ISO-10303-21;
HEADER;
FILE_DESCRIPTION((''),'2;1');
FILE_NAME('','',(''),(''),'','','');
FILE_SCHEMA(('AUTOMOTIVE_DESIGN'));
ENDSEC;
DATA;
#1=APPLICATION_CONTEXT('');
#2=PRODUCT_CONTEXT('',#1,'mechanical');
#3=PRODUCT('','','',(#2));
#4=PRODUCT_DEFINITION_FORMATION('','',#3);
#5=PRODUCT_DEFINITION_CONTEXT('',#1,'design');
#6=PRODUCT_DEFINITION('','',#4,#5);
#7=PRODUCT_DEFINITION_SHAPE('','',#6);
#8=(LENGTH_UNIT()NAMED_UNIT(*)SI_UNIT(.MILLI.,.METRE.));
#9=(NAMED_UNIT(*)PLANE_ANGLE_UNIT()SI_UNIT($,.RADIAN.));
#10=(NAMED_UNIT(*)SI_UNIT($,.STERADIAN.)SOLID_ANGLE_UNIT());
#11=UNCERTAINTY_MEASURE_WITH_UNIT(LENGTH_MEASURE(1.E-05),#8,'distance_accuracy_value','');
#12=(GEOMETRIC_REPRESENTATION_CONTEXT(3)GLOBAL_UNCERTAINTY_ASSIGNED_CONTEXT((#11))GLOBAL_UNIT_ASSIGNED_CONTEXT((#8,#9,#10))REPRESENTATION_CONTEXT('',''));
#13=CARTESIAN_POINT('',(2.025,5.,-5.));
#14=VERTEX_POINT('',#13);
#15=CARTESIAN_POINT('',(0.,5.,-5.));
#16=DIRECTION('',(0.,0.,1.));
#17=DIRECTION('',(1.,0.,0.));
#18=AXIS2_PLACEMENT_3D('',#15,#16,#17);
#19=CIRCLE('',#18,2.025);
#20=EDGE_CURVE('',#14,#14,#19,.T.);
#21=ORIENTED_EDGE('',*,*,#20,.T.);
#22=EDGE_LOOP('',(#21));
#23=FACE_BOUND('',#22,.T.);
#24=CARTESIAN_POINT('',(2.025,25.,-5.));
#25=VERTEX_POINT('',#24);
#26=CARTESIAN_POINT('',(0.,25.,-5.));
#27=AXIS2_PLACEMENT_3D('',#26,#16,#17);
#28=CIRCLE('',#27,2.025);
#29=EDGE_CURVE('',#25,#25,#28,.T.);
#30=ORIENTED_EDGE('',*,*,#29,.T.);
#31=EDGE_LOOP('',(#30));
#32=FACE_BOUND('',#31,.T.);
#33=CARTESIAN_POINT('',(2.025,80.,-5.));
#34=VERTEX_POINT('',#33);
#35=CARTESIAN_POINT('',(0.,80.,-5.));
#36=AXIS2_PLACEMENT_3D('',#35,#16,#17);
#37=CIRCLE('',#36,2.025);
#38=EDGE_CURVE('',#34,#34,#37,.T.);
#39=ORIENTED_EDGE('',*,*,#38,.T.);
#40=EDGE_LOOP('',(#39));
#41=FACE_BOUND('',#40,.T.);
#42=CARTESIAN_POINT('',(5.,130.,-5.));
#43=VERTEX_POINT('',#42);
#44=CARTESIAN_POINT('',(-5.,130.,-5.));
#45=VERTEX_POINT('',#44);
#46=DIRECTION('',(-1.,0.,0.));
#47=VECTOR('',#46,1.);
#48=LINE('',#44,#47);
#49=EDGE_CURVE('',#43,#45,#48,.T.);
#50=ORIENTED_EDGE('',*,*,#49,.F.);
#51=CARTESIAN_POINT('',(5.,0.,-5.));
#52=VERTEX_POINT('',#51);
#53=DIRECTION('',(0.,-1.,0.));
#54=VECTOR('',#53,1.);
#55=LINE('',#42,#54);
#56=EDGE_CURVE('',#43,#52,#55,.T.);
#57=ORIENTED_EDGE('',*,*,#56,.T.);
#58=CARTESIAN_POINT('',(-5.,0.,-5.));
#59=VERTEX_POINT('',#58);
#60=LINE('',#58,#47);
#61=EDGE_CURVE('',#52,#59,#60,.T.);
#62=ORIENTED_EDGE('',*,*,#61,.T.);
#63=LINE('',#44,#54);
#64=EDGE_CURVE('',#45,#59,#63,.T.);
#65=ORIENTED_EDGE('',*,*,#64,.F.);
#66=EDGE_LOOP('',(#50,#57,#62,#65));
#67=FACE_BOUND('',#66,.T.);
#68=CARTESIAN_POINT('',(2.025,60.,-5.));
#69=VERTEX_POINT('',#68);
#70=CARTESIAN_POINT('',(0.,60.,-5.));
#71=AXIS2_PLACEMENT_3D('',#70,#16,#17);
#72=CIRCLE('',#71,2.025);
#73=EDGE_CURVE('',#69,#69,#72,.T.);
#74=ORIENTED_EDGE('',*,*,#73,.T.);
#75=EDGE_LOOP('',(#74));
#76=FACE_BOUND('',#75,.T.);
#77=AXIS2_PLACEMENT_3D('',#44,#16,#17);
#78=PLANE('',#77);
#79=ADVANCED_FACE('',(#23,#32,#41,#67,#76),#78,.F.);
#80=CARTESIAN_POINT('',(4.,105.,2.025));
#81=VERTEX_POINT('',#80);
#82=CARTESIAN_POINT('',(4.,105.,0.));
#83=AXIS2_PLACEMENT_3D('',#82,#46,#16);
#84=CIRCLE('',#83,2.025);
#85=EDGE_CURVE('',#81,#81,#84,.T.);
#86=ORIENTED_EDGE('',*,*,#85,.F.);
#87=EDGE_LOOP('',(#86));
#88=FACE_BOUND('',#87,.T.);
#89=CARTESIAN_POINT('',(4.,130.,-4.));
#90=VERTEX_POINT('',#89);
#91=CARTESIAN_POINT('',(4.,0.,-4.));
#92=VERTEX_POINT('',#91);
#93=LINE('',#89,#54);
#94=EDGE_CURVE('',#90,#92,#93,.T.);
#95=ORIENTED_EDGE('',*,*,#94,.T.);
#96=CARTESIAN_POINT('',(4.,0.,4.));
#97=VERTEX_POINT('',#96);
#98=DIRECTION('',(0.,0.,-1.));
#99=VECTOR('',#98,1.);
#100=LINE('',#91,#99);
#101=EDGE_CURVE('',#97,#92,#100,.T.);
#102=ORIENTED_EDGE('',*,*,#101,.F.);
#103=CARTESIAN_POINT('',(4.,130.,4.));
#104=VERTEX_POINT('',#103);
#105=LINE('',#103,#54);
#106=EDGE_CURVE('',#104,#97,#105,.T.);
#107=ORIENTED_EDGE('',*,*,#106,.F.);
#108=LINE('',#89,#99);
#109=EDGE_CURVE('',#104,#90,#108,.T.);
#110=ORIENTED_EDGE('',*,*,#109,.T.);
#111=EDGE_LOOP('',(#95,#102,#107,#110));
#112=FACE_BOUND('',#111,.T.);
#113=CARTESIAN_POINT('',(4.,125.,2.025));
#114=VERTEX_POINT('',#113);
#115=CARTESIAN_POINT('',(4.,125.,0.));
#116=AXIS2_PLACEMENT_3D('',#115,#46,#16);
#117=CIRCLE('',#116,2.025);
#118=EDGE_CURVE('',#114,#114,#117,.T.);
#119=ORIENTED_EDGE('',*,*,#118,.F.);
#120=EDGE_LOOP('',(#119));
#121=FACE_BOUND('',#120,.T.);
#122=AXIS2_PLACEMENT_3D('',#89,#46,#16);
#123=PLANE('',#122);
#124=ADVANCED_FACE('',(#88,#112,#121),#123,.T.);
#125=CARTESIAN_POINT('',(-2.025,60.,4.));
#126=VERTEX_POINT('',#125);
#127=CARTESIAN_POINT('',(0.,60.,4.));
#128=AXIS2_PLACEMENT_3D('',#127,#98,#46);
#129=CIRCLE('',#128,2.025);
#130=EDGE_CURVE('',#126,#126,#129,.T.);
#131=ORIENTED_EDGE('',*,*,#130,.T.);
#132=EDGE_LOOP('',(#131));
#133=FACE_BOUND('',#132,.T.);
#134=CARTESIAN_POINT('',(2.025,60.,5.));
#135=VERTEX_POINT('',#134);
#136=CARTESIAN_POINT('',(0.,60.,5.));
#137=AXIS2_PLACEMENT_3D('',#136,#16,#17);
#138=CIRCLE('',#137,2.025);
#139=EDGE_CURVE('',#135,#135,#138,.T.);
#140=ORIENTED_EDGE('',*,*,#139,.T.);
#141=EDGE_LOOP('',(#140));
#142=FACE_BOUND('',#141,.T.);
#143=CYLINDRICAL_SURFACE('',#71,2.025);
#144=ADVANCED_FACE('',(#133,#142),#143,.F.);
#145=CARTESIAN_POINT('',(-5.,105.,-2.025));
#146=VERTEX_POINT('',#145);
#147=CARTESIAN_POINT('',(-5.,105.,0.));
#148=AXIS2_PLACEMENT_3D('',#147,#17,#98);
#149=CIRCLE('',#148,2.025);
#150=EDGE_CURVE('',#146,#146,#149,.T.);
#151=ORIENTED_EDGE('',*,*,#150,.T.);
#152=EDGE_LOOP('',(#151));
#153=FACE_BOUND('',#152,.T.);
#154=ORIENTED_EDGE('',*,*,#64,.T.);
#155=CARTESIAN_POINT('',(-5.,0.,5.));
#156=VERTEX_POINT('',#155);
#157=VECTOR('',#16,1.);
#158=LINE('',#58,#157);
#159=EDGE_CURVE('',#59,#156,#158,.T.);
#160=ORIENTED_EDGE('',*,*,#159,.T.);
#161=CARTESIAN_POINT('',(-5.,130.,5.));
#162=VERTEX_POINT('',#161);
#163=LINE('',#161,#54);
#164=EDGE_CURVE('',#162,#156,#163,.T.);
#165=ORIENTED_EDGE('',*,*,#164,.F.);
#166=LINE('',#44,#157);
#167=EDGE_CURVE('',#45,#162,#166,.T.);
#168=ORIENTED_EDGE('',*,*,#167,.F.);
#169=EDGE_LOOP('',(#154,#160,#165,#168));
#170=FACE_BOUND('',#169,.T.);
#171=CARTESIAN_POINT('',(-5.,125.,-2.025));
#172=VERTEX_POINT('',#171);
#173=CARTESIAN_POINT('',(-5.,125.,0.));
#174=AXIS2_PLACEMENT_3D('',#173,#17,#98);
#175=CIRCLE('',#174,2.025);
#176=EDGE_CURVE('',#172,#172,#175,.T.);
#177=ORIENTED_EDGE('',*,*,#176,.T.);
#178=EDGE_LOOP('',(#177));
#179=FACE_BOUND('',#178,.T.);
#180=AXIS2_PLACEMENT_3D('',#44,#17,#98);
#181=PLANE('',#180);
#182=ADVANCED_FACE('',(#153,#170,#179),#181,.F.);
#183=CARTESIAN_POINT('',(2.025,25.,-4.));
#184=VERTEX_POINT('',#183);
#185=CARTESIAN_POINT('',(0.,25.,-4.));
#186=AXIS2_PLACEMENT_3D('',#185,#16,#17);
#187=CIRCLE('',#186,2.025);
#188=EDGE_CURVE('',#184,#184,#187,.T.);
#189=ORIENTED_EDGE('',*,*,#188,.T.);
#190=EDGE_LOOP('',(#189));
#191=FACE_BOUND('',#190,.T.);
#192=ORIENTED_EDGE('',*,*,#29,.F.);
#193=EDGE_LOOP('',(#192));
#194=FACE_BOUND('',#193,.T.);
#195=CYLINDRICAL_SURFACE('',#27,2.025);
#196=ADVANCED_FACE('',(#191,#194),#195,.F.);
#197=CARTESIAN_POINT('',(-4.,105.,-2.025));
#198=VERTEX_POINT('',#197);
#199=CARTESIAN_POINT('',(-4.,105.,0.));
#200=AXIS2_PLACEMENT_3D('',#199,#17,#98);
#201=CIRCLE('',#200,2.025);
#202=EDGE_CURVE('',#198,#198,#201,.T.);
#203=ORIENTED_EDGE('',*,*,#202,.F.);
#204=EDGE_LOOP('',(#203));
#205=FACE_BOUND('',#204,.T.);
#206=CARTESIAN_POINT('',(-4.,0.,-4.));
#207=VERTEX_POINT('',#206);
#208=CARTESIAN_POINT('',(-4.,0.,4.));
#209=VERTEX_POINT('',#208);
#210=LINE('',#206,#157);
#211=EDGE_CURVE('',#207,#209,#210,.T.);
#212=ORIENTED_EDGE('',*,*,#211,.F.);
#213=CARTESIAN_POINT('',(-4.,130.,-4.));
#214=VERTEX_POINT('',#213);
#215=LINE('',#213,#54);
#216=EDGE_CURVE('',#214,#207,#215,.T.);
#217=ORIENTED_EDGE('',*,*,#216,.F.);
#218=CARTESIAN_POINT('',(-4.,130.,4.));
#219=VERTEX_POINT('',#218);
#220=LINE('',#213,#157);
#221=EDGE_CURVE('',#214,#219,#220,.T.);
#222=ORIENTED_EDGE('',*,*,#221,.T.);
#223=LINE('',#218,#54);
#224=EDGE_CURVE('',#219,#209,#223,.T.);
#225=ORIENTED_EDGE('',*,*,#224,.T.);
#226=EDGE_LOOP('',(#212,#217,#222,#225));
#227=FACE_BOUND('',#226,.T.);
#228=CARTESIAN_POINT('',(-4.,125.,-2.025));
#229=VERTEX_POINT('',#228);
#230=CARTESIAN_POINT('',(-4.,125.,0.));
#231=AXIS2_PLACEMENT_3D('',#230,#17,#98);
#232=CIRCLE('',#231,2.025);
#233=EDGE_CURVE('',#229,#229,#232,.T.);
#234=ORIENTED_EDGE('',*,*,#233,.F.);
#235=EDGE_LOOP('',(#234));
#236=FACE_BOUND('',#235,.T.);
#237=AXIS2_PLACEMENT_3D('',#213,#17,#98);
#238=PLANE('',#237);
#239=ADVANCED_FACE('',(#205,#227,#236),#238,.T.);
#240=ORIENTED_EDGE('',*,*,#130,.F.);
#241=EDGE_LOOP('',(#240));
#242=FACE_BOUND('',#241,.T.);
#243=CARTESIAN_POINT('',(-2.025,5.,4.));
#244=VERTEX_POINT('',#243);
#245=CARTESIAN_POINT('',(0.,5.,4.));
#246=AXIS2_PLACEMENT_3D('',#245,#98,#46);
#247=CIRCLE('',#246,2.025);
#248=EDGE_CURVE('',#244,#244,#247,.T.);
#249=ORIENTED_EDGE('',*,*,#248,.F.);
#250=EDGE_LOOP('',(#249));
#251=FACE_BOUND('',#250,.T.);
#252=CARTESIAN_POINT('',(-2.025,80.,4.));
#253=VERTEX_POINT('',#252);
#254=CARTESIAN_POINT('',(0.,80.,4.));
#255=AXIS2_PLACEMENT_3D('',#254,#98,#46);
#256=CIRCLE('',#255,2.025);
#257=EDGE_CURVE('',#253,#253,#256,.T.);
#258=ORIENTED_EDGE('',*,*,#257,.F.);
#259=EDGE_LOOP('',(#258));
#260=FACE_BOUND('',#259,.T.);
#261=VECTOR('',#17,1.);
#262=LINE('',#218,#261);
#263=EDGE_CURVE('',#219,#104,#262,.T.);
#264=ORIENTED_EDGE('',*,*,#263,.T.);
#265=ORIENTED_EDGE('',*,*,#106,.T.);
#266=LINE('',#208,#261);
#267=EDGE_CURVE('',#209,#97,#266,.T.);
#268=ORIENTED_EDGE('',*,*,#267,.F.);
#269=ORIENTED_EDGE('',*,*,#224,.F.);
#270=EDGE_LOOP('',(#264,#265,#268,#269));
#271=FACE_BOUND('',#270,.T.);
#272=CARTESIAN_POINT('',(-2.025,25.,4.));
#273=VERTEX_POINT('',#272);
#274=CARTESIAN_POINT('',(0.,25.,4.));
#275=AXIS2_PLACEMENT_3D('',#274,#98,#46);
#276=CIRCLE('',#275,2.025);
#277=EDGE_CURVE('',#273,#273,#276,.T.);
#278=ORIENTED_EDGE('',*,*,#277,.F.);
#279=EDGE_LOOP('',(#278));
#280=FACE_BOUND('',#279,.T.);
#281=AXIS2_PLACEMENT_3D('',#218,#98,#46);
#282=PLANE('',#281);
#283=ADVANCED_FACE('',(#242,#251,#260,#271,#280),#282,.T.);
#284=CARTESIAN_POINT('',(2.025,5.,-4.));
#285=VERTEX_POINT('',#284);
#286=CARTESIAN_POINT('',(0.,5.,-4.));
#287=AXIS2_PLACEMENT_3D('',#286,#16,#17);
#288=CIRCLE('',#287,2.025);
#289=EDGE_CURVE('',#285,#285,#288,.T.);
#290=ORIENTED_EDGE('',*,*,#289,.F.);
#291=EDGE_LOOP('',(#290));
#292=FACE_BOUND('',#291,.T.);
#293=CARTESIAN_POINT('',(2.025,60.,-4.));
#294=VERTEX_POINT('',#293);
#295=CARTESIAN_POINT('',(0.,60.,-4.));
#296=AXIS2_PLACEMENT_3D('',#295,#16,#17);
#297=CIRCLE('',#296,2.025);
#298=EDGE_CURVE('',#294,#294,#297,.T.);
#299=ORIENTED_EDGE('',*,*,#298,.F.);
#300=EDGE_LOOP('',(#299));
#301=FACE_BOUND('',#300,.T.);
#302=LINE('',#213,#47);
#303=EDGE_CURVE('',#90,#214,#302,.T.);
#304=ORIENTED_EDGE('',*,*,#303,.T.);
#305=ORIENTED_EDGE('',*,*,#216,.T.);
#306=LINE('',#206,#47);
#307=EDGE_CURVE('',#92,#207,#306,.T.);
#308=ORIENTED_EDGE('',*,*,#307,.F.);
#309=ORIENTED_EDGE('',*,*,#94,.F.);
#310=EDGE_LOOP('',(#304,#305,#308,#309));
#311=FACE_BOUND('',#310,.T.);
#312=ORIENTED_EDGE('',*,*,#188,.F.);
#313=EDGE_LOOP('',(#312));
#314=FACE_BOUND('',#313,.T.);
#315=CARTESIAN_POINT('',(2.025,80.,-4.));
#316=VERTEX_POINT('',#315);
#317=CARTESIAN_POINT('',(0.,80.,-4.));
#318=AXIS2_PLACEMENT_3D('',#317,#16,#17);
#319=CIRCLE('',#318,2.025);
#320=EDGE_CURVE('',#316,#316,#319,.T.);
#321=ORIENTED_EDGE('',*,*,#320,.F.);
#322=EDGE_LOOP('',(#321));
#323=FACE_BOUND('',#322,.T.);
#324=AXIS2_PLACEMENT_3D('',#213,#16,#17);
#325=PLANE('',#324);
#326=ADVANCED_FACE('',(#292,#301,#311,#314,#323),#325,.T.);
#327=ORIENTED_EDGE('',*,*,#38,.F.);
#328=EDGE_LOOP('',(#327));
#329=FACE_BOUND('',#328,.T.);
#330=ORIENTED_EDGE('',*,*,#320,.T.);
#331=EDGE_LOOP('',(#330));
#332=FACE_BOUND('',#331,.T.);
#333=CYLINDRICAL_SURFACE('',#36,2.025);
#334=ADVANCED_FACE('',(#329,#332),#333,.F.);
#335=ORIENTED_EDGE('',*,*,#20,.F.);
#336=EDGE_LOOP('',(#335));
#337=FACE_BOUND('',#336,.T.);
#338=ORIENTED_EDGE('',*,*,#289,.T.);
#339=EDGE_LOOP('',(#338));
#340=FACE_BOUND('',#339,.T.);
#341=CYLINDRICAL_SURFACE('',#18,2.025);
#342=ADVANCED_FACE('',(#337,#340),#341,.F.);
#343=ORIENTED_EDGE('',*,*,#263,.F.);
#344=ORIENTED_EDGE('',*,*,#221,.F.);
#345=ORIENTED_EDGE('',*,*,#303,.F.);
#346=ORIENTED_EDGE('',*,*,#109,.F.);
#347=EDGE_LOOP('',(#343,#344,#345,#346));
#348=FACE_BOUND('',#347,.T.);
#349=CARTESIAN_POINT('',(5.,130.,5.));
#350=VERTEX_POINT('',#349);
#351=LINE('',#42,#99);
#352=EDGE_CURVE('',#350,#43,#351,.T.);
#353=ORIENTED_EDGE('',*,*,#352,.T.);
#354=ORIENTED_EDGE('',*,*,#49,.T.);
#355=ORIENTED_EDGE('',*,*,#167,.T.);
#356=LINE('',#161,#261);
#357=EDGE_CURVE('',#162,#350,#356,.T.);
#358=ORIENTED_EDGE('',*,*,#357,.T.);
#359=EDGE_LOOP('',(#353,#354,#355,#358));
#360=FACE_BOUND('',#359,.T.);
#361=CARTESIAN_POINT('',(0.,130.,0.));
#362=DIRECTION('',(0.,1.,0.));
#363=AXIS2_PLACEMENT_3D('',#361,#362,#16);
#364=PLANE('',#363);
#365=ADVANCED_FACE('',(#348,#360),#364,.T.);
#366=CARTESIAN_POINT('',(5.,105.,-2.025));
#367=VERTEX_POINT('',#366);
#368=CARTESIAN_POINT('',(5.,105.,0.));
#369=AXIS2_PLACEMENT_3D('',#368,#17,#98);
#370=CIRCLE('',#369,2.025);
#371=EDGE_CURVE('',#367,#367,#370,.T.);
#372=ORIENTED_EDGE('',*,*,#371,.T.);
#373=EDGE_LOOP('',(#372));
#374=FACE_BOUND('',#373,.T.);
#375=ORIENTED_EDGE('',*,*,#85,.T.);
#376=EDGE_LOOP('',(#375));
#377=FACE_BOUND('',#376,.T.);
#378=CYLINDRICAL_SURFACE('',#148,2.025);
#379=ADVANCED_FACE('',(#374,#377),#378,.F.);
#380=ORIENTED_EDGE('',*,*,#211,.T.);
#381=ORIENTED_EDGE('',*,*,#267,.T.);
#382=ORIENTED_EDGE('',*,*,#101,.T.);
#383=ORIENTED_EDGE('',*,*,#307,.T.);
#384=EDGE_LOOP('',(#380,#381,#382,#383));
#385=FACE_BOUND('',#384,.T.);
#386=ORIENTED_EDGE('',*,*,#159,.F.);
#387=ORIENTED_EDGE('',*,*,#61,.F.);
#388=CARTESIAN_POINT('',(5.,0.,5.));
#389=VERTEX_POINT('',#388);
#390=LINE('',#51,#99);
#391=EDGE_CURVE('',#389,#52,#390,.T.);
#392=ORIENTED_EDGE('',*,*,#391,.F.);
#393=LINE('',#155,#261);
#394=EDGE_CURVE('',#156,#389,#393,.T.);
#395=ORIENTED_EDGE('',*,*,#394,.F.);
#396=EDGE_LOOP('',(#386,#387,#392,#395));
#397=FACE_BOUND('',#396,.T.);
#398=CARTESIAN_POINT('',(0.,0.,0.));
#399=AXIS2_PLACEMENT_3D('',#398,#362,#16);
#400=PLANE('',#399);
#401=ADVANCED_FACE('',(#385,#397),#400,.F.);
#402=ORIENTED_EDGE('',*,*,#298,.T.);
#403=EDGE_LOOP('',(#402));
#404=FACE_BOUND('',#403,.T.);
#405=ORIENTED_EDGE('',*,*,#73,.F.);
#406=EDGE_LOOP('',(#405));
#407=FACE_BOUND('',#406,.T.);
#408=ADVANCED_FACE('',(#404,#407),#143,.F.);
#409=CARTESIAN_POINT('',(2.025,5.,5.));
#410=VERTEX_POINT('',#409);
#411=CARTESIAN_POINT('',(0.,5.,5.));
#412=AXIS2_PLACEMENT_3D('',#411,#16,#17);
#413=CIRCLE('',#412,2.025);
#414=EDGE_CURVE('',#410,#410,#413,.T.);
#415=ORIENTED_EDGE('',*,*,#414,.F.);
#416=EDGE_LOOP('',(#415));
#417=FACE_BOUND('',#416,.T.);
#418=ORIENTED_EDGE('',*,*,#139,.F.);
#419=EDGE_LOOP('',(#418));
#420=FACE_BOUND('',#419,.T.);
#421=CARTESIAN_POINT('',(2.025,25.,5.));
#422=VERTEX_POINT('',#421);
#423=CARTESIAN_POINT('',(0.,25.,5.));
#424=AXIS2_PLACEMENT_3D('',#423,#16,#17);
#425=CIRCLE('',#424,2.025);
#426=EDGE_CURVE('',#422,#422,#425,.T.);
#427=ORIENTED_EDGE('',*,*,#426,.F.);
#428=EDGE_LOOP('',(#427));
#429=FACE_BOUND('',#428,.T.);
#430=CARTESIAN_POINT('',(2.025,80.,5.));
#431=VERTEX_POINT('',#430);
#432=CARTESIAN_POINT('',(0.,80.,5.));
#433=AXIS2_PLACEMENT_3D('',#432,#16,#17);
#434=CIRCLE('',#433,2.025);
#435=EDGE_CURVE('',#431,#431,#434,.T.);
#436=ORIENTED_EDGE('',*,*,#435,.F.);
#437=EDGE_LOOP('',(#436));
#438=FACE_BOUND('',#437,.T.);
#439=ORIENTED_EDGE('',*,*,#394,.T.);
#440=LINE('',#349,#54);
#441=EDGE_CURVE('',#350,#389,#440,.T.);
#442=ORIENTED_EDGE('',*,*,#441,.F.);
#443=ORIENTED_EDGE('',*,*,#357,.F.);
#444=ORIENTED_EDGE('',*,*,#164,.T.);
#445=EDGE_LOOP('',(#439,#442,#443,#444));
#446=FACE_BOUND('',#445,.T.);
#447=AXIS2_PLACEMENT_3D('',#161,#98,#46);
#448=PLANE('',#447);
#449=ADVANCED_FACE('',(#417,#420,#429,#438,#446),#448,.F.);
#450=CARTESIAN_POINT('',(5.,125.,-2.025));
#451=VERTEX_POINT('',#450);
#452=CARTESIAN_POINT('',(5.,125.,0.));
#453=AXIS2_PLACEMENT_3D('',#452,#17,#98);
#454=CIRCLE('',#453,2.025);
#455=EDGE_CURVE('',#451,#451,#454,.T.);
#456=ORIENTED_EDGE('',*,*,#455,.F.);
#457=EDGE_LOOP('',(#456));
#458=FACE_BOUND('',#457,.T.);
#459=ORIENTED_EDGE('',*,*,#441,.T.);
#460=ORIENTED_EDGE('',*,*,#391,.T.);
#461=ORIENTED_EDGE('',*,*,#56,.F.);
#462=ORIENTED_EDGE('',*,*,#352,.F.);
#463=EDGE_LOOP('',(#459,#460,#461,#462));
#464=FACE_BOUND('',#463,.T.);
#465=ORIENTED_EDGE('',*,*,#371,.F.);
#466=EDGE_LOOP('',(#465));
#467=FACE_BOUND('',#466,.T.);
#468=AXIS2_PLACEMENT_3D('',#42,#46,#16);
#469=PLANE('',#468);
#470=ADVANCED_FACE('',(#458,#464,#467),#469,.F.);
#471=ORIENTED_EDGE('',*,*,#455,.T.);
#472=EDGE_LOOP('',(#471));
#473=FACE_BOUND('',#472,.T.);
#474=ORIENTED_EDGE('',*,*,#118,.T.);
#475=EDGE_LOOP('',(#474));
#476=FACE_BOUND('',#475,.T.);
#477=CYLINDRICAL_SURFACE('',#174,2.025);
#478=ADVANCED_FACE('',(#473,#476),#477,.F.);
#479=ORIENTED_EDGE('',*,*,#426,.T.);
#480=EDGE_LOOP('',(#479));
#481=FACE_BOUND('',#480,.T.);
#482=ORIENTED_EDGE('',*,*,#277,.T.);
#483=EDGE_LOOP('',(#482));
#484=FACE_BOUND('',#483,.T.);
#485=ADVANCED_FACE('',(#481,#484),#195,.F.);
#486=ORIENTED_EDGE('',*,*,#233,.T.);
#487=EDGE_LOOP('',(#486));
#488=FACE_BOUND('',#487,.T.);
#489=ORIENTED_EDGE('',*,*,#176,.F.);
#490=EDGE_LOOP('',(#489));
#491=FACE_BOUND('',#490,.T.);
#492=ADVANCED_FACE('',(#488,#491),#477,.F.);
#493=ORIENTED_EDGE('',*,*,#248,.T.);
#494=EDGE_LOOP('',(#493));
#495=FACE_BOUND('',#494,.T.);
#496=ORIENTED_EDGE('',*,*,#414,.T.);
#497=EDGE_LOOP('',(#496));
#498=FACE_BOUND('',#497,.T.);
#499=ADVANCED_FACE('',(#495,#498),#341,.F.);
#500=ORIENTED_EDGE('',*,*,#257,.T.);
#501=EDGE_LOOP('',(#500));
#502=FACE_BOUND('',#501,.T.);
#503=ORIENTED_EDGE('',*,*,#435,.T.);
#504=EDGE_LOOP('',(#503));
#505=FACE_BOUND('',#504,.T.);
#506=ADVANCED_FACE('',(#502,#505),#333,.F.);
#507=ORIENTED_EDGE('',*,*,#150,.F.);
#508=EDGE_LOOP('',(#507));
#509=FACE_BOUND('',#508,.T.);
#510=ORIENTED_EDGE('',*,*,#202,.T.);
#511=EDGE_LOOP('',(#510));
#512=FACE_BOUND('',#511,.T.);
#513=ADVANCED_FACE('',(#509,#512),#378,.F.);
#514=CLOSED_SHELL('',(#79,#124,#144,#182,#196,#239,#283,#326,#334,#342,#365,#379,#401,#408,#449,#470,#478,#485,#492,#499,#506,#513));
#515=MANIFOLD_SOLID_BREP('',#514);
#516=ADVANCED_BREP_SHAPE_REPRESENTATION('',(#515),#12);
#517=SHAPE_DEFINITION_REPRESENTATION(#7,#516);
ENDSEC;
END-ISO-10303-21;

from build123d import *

# Parameters (mm, degrees)
SKETCH1_W           = 10
SKETCH1_H           = 10
SKETCH1_W_2         = 8
SKETCH1_H_2         = 8
BOSS_EXTRUDE1_DEPTH = 130
SKETCH2_R           = 2.025
CUT_EXTRUDE1_DEPTH  = 131.479883507
SKETCH3_R           = 2.025
CUT_EXTRUDE2_DEPTH  = 131.479883507
SKETCH4_R           = 2.025
CUT_EXTRUDE3_DEPTH  = 131.479883507


with BuildPart() as part:
    # Sketch1 → Boss-Extrude1 (new body)
    with BuildSketch(Plane(origin=(0, 0, 0), x_dir=(1, 0, 0), z_dir=(0, 1, 0))):
        Rectangle(SKETCH1_W, SKETCH1_H)
        Rectangle(SKETCH1_W_2, SKETCH1_H_2, mode=Mode.SUBTRACT)
    extrude(amount=BOSS_EXTRUDE1_DEPTH)

    # Sketch2 → Cut-Extrude1 (cut, through all)
    with BuildSketch(Plane.XY.offset(5)):
        with Locations((0, 5)):
            Circle(SKETCH2_R)
        with Locations((0, 25)):
            Circle(SKETCH2_R)
    extrude(amount=-CUT_EXTRUDE1_DEPTH, mode=Mode.SUBTRACT)

    # Sketch3 → Cut-Extrude2 (cut, through all)
    with BuildSketch(Plane(origin=(5, 0, 0), x_dir=(0, 0, -1), z_dir=(1, 0, 0))):
        with Locations((0, 125)):
            Circle(SKETCH3_R)
        with Locations((0, 105)):
            Circle(SKETCH3_R)
    extrude(amount=-CUT_EXTRUDE2_DEPTH, mode=Mode.SUBTRACT)

    # Sketch4 → Cut-Extrude3 (cut, through all)
    with BuildSketch(Plane.XY.offset(5)):
        with Locations((0, 60)):
            Circle(SKETCH4_R)
        with Locations((0, 80)):
            Circle(SKETCH4_R)
    extrude(amount=-CUT_EXTRUDE3_DEPTH, mode=Mode.SUBTRACT)


solid = part.part
